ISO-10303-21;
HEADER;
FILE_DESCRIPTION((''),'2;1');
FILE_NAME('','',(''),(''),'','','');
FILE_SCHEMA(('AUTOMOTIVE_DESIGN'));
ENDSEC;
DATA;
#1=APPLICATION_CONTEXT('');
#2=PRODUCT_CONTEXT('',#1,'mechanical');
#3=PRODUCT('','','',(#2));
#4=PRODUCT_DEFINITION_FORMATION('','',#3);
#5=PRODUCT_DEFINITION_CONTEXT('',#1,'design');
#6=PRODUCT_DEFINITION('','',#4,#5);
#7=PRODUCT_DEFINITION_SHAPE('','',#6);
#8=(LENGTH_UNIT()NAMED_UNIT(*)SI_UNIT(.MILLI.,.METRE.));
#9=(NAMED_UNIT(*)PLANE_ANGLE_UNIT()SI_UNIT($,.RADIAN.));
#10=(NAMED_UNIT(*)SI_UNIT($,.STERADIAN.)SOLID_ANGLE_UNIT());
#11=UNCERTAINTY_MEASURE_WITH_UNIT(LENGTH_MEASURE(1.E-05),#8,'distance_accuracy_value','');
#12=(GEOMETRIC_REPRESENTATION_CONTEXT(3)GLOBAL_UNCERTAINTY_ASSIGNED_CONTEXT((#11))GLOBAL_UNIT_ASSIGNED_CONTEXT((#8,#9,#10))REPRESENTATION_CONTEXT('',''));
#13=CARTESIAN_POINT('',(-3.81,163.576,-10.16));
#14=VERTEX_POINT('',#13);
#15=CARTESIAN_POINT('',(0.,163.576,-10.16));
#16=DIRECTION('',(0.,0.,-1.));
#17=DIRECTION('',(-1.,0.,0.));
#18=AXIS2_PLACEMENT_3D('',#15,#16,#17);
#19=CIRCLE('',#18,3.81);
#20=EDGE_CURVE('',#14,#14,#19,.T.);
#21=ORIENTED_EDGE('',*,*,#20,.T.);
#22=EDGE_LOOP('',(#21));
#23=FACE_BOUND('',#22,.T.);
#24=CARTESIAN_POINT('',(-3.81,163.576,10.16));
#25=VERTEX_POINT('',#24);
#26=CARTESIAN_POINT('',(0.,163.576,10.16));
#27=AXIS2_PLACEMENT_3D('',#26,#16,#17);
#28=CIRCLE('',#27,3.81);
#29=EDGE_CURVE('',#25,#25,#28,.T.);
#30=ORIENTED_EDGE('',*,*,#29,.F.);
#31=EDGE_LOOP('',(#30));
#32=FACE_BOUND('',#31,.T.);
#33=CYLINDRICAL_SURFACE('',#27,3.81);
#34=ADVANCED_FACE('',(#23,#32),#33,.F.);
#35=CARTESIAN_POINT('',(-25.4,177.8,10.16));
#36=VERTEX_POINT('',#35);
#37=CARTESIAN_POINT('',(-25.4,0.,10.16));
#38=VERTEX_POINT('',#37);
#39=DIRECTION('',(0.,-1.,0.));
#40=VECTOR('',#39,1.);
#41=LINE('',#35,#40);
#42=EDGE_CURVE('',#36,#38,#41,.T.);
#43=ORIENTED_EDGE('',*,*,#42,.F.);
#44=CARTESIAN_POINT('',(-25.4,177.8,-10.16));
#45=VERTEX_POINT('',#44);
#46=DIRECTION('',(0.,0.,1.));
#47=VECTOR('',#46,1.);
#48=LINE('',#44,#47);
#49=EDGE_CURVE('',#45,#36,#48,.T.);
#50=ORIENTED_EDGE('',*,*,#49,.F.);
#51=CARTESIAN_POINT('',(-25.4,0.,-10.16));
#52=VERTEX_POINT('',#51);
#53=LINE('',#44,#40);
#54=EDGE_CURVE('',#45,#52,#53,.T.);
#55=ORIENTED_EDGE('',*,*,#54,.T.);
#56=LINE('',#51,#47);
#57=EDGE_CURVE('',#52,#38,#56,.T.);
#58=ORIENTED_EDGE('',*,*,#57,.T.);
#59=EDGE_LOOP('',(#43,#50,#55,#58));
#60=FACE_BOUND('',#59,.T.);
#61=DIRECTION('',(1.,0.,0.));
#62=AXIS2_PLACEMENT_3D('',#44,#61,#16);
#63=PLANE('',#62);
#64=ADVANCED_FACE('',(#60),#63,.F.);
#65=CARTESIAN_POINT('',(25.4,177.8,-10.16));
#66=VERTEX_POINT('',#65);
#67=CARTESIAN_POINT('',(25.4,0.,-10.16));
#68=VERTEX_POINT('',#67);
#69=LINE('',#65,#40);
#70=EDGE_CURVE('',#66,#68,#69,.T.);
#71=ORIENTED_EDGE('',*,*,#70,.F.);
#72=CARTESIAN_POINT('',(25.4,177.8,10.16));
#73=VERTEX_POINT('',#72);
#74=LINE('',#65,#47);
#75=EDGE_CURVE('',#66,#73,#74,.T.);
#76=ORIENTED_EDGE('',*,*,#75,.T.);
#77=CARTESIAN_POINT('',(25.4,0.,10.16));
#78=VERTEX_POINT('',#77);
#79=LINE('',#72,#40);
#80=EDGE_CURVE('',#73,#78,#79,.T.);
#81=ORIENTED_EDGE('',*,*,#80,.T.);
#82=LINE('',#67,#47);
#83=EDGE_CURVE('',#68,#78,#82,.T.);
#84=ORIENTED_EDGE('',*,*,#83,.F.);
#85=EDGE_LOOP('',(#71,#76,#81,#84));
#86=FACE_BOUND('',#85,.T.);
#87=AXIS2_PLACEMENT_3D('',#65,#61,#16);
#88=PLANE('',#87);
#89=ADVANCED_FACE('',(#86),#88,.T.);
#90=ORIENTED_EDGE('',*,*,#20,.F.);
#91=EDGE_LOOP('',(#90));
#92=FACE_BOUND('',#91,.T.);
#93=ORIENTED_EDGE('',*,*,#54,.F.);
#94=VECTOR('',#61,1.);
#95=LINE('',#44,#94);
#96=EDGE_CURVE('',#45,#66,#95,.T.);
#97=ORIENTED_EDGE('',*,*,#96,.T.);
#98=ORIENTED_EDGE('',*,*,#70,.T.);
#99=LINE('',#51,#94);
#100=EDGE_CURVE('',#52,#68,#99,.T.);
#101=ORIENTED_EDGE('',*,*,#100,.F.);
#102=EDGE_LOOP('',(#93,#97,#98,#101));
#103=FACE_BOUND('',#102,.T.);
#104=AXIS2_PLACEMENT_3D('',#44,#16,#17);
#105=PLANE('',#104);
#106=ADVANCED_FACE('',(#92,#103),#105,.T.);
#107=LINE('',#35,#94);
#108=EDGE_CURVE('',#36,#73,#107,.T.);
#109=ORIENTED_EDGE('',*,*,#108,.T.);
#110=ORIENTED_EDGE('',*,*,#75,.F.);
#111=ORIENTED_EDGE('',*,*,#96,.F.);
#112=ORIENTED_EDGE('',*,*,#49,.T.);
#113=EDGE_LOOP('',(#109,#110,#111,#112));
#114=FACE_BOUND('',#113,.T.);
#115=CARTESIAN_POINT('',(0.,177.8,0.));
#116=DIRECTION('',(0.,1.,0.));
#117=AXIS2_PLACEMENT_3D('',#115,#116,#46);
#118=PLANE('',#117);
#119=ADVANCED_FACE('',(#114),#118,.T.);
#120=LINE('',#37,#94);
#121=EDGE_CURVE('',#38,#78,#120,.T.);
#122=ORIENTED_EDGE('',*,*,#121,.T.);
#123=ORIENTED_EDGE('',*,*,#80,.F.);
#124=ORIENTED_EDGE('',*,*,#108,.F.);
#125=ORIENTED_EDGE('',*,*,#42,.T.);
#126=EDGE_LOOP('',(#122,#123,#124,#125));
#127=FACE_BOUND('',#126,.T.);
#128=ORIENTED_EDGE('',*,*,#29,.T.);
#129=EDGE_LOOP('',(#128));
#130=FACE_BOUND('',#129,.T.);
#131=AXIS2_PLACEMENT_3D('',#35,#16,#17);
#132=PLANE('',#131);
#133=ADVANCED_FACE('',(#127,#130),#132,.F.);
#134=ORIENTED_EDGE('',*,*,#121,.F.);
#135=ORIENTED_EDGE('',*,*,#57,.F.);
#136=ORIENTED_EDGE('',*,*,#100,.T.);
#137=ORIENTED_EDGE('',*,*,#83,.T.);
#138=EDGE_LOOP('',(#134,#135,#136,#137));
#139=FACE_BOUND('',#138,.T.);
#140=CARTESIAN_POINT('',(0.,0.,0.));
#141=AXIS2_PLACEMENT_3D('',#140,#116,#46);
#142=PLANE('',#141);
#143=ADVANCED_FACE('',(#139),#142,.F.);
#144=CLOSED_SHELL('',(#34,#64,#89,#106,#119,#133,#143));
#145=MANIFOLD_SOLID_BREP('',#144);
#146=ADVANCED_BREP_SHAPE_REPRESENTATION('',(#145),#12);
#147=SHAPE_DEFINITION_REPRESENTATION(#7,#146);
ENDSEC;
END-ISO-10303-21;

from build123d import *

# Parameters (mm, degrees)
SKETCH1_W           = 50.8
SKETCH1_H           = 20.32
BOSS_EXTRUDE1_DEPTH = 177.8
SKETCH2_R           = 3.81
CUT_EXTRUDE1_DEPTH  = 181.750940247


with BuildPart() as part:
    # Sketch1 → Boss-Extrude1 (new body)
    with BuildSketch(Plane(origin=(0, 0, 0), x_dir=(1, 0, 0), z_dir=(0, 1, 0))):
        Rectangle(SKETCH1_W, SKETCH1_H)
    extrude(amount=BOSS_EXTRUDE1_DEPTH)

    # Sketch2 → Cut-Extrude1 (cut, through all)
    with BuildSketch(Plane(origin=(0, 0, -10.16), x_dir=(-1, 0, 0), z_dir=(0, 0, -1))):
        with Locations((0, 163.576)):
            Circle(SKETCH2_R)
    extrude(amount=-CUT_EXTRUDE1_DEPTH, mode=Mode.SUBTRACT)


solid = part.part
